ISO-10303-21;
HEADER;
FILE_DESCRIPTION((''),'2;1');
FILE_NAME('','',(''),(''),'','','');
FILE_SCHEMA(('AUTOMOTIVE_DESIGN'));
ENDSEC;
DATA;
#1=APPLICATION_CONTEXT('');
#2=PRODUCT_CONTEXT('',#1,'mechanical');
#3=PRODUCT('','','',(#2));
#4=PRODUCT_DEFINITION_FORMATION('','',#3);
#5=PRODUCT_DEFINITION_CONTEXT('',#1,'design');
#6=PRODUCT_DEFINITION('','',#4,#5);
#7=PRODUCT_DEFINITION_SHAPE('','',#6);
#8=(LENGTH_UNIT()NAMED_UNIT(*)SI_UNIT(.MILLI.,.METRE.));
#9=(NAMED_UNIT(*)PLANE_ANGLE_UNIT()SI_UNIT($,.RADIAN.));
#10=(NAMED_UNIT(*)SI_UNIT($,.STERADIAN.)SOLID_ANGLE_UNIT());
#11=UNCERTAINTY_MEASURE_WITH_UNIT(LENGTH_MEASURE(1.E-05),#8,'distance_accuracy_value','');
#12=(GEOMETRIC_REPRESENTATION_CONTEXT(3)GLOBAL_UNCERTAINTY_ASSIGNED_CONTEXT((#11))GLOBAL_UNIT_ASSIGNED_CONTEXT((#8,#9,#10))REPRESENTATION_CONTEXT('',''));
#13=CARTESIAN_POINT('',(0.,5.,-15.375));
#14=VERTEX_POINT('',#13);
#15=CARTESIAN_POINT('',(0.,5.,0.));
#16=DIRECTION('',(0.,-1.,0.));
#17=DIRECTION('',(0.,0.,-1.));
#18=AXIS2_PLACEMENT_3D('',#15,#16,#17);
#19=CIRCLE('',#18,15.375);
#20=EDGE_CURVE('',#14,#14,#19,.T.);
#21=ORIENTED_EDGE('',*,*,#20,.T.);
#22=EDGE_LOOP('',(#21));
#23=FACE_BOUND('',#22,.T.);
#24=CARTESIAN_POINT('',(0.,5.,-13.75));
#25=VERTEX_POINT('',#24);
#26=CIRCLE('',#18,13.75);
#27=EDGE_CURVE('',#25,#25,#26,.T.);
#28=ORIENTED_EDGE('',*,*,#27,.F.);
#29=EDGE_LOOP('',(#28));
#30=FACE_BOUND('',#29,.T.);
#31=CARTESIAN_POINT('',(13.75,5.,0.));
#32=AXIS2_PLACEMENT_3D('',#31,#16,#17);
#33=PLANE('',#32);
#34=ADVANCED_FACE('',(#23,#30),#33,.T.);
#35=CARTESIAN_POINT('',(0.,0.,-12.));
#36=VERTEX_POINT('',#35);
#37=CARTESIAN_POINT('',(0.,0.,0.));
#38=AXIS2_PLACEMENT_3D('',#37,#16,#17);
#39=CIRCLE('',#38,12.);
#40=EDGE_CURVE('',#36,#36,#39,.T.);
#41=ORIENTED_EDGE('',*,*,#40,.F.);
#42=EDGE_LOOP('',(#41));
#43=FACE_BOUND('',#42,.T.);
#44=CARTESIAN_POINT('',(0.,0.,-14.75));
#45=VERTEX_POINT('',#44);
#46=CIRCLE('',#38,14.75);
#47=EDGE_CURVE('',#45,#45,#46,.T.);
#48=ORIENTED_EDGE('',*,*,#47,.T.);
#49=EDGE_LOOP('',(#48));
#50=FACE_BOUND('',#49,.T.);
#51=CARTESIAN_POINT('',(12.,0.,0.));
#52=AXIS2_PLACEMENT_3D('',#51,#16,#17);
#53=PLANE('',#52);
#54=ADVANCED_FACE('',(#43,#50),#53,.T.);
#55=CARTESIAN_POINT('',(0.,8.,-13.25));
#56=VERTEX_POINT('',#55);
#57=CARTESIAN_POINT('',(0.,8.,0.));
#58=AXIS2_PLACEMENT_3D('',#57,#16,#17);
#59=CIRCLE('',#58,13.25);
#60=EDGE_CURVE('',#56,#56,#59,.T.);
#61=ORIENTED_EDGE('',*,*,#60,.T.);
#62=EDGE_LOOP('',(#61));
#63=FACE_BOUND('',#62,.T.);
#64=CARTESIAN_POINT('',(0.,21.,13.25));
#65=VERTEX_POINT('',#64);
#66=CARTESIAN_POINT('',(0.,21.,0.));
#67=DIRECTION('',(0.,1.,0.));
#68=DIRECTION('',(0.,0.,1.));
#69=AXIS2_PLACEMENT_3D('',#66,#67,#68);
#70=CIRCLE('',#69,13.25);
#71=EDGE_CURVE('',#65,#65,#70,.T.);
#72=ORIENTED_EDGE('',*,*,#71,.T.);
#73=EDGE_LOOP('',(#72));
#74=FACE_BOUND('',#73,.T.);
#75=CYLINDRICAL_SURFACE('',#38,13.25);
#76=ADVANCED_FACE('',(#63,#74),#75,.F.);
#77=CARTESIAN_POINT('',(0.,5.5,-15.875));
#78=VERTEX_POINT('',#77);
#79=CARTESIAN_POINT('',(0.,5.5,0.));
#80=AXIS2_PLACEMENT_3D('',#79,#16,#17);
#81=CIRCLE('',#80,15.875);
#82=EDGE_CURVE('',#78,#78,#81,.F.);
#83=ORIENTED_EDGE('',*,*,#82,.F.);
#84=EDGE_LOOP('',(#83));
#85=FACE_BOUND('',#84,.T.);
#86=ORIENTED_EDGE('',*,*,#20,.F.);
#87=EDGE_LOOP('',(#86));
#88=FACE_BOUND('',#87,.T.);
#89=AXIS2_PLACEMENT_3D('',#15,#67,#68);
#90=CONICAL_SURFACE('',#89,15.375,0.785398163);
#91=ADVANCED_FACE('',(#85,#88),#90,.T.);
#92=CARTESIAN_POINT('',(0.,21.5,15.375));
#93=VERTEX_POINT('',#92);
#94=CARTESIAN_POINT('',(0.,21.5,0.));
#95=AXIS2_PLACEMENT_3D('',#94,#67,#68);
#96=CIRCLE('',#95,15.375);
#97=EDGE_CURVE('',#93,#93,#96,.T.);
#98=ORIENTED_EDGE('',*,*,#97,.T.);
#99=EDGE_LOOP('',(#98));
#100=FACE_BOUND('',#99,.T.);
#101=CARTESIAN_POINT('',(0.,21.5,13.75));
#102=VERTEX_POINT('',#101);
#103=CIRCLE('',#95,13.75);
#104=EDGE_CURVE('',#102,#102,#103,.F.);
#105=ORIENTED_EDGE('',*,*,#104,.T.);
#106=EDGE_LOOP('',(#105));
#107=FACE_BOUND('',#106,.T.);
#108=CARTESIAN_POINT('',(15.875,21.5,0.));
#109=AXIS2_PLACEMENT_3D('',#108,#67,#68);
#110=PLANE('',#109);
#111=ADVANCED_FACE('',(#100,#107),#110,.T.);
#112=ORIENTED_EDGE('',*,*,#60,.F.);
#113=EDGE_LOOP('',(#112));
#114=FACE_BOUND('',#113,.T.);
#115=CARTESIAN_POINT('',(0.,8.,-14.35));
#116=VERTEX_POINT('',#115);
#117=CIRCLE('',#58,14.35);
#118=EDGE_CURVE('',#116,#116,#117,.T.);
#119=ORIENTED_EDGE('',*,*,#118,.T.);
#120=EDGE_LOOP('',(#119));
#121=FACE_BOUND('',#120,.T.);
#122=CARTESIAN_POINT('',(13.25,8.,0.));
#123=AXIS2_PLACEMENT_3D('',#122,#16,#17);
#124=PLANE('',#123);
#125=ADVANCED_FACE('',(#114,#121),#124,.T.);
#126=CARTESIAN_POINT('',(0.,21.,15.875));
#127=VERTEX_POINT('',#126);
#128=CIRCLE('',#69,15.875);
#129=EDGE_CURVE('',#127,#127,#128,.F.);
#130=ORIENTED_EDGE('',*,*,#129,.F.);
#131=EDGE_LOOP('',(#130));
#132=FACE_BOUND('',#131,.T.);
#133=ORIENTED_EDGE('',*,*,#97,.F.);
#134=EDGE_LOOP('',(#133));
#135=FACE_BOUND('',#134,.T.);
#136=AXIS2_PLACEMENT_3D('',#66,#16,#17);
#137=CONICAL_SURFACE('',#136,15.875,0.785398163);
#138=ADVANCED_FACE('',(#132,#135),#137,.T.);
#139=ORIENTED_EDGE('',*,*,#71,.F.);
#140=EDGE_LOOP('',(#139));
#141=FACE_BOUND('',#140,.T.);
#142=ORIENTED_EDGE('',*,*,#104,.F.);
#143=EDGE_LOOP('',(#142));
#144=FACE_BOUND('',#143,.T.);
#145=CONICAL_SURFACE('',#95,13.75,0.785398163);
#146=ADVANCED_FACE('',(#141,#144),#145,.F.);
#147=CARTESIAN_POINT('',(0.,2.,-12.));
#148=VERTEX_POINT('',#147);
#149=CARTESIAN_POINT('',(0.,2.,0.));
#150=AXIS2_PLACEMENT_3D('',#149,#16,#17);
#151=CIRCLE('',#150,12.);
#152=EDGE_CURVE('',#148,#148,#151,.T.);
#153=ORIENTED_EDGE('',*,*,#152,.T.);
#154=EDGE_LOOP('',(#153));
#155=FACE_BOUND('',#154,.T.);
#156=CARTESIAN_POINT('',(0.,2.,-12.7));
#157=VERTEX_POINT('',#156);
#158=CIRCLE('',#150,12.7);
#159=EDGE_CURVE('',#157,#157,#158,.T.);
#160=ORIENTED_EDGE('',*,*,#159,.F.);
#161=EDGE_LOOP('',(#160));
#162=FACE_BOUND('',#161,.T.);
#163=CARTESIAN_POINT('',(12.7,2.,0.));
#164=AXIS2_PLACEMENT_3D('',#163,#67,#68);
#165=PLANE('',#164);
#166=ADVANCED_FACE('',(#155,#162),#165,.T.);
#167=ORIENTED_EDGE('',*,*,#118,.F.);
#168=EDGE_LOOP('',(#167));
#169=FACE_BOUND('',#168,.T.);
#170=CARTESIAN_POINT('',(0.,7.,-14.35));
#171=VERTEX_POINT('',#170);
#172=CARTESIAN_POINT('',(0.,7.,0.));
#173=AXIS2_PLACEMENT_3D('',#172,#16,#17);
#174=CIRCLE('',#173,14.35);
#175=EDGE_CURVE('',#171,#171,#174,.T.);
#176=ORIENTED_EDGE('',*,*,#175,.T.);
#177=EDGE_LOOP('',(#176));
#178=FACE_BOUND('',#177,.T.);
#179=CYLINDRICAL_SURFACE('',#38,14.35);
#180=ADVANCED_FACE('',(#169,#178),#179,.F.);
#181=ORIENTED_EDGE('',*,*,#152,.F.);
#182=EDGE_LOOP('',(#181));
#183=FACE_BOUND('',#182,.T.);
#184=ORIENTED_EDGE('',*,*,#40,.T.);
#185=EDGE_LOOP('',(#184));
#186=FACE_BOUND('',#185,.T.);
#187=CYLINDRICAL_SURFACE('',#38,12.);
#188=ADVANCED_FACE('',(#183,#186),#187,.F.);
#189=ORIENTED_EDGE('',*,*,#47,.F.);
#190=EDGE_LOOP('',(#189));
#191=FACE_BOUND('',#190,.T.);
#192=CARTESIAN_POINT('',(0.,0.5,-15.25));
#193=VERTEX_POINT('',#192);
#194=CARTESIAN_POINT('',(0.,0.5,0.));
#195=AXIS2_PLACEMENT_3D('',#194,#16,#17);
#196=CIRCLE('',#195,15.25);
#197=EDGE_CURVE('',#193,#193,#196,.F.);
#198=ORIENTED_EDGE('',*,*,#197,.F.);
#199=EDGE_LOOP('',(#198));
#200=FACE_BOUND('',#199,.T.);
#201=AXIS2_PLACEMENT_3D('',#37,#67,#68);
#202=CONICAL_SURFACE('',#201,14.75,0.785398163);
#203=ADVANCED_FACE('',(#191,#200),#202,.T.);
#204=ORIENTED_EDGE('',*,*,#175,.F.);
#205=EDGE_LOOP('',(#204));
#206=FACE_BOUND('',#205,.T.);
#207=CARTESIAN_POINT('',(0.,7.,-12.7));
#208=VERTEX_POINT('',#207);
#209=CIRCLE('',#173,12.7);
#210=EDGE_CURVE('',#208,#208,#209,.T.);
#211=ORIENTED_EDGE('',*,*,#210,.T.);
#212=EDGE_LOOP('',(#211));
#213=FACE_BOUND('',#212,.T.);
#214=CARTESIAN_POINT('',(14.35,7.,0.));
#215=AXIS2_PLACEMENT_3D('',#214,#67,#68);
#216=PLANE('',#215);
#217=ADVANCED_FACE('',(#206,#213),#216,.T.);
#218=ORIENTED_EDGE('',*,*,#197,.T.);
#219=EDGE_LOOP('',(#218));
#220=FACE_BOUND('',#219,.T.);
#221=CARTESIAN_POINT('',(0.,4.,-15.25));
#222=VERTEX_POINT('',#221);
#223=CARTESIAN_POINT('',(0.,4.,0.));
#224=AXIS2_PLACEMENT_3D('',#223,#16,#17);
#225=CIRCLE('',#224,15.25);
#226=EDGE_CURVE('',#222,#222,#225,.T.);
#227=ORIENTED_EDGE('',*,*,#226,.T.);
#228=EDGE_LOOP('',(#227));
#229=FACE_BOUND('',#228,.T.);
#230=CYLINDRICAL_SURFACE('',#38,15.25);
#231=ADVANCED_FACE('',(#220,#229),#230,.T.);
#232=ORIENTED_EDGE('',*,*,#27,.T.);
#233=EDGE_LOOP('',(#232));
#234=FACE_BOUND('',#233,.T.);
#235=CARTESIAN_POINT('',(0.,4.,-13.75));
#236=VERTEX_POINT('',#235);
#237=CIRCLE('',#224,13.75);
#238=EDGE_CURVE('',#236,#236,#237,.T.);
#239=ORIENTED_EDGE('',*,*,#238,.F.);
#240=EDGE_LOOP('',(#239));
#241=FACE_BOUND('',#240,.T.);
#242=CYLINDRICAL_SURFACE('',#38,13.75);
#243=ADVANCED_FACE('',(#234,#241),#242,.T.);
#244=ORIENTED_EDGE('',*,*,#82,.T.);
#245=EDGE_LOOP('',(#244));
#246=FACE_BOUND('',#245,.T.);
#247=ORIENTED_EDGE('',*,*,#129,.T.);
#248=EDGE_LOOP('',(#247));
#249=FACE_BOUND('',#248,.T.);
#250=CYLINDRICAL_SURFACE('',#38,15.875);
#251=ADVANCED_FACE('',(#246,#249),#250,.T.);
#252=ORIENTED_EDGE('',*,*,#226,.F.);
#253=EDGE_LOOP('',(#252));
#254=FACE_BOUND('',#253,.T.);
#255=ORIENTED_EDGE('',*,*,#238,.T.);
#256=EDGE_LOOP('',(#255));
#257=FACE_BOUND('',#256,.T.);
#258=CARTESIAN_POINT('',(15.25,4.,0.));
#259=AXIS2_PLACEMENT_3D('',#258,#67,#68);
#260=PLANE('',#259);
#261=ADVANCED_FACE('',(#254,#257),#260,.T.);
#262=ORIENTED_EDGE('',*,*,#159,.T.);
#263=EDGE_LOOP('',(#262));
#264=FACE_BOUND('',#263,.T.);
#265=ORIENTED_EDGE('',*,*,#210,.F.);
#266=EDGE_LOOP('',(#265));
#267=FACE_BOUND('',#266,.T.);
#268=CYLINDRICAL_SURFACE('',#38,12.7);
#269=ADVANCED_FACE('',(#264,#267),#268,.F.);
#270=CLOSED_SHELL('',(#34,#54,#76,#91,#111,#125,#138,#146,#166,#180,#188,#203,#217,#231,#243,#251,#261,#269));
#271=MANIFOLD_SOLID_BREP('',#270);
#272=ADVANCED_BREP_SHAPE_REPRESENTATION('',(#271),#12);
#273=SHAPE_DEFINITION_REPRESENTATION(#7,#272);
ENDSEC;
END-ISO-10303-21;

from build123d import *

# Parameters (mm, degrees)
CHAMFER_1_SIZE = 0.5


with BuildPart() as part:
    # 草图1 → 旋转1 (revolve)
    with BuildSketch(Plane.XY, mode=Mode.PRIVATE) as revolve_1_sk:
        Polygon((12, 0), (15.25, 0), (15.25, 4), (13.75, 4), (13.75, 5), (15.875, 5), (15.875, 21.5), (13.25, 21.5), (13.25, 8), (14.35, 8), (14.35, 7), (12.7, 7), (12.7, 2), (12, 2), align=None)
    revolve(revolve_1_sk.sketch.rotate(Axis((0, 0, 0), (0, 1, 0)), 90), axis=Axis((0, 0, 0), (0, 1, 0)))  # turned: the seam where the file's is

    # 倒角1
    chamfer_1_edges = [part.edges().sort_by_distance(p)[0] for p in [
        (0, 21.5, 13.25),
        (0, 21.5, 15.875),
        (0, 5, 15.875),
        (0, 0, 15.25),
    ]]
    chamfer(chamfer_1_edges, length=CHAMFER_1_SIZE)


solid = part.part
